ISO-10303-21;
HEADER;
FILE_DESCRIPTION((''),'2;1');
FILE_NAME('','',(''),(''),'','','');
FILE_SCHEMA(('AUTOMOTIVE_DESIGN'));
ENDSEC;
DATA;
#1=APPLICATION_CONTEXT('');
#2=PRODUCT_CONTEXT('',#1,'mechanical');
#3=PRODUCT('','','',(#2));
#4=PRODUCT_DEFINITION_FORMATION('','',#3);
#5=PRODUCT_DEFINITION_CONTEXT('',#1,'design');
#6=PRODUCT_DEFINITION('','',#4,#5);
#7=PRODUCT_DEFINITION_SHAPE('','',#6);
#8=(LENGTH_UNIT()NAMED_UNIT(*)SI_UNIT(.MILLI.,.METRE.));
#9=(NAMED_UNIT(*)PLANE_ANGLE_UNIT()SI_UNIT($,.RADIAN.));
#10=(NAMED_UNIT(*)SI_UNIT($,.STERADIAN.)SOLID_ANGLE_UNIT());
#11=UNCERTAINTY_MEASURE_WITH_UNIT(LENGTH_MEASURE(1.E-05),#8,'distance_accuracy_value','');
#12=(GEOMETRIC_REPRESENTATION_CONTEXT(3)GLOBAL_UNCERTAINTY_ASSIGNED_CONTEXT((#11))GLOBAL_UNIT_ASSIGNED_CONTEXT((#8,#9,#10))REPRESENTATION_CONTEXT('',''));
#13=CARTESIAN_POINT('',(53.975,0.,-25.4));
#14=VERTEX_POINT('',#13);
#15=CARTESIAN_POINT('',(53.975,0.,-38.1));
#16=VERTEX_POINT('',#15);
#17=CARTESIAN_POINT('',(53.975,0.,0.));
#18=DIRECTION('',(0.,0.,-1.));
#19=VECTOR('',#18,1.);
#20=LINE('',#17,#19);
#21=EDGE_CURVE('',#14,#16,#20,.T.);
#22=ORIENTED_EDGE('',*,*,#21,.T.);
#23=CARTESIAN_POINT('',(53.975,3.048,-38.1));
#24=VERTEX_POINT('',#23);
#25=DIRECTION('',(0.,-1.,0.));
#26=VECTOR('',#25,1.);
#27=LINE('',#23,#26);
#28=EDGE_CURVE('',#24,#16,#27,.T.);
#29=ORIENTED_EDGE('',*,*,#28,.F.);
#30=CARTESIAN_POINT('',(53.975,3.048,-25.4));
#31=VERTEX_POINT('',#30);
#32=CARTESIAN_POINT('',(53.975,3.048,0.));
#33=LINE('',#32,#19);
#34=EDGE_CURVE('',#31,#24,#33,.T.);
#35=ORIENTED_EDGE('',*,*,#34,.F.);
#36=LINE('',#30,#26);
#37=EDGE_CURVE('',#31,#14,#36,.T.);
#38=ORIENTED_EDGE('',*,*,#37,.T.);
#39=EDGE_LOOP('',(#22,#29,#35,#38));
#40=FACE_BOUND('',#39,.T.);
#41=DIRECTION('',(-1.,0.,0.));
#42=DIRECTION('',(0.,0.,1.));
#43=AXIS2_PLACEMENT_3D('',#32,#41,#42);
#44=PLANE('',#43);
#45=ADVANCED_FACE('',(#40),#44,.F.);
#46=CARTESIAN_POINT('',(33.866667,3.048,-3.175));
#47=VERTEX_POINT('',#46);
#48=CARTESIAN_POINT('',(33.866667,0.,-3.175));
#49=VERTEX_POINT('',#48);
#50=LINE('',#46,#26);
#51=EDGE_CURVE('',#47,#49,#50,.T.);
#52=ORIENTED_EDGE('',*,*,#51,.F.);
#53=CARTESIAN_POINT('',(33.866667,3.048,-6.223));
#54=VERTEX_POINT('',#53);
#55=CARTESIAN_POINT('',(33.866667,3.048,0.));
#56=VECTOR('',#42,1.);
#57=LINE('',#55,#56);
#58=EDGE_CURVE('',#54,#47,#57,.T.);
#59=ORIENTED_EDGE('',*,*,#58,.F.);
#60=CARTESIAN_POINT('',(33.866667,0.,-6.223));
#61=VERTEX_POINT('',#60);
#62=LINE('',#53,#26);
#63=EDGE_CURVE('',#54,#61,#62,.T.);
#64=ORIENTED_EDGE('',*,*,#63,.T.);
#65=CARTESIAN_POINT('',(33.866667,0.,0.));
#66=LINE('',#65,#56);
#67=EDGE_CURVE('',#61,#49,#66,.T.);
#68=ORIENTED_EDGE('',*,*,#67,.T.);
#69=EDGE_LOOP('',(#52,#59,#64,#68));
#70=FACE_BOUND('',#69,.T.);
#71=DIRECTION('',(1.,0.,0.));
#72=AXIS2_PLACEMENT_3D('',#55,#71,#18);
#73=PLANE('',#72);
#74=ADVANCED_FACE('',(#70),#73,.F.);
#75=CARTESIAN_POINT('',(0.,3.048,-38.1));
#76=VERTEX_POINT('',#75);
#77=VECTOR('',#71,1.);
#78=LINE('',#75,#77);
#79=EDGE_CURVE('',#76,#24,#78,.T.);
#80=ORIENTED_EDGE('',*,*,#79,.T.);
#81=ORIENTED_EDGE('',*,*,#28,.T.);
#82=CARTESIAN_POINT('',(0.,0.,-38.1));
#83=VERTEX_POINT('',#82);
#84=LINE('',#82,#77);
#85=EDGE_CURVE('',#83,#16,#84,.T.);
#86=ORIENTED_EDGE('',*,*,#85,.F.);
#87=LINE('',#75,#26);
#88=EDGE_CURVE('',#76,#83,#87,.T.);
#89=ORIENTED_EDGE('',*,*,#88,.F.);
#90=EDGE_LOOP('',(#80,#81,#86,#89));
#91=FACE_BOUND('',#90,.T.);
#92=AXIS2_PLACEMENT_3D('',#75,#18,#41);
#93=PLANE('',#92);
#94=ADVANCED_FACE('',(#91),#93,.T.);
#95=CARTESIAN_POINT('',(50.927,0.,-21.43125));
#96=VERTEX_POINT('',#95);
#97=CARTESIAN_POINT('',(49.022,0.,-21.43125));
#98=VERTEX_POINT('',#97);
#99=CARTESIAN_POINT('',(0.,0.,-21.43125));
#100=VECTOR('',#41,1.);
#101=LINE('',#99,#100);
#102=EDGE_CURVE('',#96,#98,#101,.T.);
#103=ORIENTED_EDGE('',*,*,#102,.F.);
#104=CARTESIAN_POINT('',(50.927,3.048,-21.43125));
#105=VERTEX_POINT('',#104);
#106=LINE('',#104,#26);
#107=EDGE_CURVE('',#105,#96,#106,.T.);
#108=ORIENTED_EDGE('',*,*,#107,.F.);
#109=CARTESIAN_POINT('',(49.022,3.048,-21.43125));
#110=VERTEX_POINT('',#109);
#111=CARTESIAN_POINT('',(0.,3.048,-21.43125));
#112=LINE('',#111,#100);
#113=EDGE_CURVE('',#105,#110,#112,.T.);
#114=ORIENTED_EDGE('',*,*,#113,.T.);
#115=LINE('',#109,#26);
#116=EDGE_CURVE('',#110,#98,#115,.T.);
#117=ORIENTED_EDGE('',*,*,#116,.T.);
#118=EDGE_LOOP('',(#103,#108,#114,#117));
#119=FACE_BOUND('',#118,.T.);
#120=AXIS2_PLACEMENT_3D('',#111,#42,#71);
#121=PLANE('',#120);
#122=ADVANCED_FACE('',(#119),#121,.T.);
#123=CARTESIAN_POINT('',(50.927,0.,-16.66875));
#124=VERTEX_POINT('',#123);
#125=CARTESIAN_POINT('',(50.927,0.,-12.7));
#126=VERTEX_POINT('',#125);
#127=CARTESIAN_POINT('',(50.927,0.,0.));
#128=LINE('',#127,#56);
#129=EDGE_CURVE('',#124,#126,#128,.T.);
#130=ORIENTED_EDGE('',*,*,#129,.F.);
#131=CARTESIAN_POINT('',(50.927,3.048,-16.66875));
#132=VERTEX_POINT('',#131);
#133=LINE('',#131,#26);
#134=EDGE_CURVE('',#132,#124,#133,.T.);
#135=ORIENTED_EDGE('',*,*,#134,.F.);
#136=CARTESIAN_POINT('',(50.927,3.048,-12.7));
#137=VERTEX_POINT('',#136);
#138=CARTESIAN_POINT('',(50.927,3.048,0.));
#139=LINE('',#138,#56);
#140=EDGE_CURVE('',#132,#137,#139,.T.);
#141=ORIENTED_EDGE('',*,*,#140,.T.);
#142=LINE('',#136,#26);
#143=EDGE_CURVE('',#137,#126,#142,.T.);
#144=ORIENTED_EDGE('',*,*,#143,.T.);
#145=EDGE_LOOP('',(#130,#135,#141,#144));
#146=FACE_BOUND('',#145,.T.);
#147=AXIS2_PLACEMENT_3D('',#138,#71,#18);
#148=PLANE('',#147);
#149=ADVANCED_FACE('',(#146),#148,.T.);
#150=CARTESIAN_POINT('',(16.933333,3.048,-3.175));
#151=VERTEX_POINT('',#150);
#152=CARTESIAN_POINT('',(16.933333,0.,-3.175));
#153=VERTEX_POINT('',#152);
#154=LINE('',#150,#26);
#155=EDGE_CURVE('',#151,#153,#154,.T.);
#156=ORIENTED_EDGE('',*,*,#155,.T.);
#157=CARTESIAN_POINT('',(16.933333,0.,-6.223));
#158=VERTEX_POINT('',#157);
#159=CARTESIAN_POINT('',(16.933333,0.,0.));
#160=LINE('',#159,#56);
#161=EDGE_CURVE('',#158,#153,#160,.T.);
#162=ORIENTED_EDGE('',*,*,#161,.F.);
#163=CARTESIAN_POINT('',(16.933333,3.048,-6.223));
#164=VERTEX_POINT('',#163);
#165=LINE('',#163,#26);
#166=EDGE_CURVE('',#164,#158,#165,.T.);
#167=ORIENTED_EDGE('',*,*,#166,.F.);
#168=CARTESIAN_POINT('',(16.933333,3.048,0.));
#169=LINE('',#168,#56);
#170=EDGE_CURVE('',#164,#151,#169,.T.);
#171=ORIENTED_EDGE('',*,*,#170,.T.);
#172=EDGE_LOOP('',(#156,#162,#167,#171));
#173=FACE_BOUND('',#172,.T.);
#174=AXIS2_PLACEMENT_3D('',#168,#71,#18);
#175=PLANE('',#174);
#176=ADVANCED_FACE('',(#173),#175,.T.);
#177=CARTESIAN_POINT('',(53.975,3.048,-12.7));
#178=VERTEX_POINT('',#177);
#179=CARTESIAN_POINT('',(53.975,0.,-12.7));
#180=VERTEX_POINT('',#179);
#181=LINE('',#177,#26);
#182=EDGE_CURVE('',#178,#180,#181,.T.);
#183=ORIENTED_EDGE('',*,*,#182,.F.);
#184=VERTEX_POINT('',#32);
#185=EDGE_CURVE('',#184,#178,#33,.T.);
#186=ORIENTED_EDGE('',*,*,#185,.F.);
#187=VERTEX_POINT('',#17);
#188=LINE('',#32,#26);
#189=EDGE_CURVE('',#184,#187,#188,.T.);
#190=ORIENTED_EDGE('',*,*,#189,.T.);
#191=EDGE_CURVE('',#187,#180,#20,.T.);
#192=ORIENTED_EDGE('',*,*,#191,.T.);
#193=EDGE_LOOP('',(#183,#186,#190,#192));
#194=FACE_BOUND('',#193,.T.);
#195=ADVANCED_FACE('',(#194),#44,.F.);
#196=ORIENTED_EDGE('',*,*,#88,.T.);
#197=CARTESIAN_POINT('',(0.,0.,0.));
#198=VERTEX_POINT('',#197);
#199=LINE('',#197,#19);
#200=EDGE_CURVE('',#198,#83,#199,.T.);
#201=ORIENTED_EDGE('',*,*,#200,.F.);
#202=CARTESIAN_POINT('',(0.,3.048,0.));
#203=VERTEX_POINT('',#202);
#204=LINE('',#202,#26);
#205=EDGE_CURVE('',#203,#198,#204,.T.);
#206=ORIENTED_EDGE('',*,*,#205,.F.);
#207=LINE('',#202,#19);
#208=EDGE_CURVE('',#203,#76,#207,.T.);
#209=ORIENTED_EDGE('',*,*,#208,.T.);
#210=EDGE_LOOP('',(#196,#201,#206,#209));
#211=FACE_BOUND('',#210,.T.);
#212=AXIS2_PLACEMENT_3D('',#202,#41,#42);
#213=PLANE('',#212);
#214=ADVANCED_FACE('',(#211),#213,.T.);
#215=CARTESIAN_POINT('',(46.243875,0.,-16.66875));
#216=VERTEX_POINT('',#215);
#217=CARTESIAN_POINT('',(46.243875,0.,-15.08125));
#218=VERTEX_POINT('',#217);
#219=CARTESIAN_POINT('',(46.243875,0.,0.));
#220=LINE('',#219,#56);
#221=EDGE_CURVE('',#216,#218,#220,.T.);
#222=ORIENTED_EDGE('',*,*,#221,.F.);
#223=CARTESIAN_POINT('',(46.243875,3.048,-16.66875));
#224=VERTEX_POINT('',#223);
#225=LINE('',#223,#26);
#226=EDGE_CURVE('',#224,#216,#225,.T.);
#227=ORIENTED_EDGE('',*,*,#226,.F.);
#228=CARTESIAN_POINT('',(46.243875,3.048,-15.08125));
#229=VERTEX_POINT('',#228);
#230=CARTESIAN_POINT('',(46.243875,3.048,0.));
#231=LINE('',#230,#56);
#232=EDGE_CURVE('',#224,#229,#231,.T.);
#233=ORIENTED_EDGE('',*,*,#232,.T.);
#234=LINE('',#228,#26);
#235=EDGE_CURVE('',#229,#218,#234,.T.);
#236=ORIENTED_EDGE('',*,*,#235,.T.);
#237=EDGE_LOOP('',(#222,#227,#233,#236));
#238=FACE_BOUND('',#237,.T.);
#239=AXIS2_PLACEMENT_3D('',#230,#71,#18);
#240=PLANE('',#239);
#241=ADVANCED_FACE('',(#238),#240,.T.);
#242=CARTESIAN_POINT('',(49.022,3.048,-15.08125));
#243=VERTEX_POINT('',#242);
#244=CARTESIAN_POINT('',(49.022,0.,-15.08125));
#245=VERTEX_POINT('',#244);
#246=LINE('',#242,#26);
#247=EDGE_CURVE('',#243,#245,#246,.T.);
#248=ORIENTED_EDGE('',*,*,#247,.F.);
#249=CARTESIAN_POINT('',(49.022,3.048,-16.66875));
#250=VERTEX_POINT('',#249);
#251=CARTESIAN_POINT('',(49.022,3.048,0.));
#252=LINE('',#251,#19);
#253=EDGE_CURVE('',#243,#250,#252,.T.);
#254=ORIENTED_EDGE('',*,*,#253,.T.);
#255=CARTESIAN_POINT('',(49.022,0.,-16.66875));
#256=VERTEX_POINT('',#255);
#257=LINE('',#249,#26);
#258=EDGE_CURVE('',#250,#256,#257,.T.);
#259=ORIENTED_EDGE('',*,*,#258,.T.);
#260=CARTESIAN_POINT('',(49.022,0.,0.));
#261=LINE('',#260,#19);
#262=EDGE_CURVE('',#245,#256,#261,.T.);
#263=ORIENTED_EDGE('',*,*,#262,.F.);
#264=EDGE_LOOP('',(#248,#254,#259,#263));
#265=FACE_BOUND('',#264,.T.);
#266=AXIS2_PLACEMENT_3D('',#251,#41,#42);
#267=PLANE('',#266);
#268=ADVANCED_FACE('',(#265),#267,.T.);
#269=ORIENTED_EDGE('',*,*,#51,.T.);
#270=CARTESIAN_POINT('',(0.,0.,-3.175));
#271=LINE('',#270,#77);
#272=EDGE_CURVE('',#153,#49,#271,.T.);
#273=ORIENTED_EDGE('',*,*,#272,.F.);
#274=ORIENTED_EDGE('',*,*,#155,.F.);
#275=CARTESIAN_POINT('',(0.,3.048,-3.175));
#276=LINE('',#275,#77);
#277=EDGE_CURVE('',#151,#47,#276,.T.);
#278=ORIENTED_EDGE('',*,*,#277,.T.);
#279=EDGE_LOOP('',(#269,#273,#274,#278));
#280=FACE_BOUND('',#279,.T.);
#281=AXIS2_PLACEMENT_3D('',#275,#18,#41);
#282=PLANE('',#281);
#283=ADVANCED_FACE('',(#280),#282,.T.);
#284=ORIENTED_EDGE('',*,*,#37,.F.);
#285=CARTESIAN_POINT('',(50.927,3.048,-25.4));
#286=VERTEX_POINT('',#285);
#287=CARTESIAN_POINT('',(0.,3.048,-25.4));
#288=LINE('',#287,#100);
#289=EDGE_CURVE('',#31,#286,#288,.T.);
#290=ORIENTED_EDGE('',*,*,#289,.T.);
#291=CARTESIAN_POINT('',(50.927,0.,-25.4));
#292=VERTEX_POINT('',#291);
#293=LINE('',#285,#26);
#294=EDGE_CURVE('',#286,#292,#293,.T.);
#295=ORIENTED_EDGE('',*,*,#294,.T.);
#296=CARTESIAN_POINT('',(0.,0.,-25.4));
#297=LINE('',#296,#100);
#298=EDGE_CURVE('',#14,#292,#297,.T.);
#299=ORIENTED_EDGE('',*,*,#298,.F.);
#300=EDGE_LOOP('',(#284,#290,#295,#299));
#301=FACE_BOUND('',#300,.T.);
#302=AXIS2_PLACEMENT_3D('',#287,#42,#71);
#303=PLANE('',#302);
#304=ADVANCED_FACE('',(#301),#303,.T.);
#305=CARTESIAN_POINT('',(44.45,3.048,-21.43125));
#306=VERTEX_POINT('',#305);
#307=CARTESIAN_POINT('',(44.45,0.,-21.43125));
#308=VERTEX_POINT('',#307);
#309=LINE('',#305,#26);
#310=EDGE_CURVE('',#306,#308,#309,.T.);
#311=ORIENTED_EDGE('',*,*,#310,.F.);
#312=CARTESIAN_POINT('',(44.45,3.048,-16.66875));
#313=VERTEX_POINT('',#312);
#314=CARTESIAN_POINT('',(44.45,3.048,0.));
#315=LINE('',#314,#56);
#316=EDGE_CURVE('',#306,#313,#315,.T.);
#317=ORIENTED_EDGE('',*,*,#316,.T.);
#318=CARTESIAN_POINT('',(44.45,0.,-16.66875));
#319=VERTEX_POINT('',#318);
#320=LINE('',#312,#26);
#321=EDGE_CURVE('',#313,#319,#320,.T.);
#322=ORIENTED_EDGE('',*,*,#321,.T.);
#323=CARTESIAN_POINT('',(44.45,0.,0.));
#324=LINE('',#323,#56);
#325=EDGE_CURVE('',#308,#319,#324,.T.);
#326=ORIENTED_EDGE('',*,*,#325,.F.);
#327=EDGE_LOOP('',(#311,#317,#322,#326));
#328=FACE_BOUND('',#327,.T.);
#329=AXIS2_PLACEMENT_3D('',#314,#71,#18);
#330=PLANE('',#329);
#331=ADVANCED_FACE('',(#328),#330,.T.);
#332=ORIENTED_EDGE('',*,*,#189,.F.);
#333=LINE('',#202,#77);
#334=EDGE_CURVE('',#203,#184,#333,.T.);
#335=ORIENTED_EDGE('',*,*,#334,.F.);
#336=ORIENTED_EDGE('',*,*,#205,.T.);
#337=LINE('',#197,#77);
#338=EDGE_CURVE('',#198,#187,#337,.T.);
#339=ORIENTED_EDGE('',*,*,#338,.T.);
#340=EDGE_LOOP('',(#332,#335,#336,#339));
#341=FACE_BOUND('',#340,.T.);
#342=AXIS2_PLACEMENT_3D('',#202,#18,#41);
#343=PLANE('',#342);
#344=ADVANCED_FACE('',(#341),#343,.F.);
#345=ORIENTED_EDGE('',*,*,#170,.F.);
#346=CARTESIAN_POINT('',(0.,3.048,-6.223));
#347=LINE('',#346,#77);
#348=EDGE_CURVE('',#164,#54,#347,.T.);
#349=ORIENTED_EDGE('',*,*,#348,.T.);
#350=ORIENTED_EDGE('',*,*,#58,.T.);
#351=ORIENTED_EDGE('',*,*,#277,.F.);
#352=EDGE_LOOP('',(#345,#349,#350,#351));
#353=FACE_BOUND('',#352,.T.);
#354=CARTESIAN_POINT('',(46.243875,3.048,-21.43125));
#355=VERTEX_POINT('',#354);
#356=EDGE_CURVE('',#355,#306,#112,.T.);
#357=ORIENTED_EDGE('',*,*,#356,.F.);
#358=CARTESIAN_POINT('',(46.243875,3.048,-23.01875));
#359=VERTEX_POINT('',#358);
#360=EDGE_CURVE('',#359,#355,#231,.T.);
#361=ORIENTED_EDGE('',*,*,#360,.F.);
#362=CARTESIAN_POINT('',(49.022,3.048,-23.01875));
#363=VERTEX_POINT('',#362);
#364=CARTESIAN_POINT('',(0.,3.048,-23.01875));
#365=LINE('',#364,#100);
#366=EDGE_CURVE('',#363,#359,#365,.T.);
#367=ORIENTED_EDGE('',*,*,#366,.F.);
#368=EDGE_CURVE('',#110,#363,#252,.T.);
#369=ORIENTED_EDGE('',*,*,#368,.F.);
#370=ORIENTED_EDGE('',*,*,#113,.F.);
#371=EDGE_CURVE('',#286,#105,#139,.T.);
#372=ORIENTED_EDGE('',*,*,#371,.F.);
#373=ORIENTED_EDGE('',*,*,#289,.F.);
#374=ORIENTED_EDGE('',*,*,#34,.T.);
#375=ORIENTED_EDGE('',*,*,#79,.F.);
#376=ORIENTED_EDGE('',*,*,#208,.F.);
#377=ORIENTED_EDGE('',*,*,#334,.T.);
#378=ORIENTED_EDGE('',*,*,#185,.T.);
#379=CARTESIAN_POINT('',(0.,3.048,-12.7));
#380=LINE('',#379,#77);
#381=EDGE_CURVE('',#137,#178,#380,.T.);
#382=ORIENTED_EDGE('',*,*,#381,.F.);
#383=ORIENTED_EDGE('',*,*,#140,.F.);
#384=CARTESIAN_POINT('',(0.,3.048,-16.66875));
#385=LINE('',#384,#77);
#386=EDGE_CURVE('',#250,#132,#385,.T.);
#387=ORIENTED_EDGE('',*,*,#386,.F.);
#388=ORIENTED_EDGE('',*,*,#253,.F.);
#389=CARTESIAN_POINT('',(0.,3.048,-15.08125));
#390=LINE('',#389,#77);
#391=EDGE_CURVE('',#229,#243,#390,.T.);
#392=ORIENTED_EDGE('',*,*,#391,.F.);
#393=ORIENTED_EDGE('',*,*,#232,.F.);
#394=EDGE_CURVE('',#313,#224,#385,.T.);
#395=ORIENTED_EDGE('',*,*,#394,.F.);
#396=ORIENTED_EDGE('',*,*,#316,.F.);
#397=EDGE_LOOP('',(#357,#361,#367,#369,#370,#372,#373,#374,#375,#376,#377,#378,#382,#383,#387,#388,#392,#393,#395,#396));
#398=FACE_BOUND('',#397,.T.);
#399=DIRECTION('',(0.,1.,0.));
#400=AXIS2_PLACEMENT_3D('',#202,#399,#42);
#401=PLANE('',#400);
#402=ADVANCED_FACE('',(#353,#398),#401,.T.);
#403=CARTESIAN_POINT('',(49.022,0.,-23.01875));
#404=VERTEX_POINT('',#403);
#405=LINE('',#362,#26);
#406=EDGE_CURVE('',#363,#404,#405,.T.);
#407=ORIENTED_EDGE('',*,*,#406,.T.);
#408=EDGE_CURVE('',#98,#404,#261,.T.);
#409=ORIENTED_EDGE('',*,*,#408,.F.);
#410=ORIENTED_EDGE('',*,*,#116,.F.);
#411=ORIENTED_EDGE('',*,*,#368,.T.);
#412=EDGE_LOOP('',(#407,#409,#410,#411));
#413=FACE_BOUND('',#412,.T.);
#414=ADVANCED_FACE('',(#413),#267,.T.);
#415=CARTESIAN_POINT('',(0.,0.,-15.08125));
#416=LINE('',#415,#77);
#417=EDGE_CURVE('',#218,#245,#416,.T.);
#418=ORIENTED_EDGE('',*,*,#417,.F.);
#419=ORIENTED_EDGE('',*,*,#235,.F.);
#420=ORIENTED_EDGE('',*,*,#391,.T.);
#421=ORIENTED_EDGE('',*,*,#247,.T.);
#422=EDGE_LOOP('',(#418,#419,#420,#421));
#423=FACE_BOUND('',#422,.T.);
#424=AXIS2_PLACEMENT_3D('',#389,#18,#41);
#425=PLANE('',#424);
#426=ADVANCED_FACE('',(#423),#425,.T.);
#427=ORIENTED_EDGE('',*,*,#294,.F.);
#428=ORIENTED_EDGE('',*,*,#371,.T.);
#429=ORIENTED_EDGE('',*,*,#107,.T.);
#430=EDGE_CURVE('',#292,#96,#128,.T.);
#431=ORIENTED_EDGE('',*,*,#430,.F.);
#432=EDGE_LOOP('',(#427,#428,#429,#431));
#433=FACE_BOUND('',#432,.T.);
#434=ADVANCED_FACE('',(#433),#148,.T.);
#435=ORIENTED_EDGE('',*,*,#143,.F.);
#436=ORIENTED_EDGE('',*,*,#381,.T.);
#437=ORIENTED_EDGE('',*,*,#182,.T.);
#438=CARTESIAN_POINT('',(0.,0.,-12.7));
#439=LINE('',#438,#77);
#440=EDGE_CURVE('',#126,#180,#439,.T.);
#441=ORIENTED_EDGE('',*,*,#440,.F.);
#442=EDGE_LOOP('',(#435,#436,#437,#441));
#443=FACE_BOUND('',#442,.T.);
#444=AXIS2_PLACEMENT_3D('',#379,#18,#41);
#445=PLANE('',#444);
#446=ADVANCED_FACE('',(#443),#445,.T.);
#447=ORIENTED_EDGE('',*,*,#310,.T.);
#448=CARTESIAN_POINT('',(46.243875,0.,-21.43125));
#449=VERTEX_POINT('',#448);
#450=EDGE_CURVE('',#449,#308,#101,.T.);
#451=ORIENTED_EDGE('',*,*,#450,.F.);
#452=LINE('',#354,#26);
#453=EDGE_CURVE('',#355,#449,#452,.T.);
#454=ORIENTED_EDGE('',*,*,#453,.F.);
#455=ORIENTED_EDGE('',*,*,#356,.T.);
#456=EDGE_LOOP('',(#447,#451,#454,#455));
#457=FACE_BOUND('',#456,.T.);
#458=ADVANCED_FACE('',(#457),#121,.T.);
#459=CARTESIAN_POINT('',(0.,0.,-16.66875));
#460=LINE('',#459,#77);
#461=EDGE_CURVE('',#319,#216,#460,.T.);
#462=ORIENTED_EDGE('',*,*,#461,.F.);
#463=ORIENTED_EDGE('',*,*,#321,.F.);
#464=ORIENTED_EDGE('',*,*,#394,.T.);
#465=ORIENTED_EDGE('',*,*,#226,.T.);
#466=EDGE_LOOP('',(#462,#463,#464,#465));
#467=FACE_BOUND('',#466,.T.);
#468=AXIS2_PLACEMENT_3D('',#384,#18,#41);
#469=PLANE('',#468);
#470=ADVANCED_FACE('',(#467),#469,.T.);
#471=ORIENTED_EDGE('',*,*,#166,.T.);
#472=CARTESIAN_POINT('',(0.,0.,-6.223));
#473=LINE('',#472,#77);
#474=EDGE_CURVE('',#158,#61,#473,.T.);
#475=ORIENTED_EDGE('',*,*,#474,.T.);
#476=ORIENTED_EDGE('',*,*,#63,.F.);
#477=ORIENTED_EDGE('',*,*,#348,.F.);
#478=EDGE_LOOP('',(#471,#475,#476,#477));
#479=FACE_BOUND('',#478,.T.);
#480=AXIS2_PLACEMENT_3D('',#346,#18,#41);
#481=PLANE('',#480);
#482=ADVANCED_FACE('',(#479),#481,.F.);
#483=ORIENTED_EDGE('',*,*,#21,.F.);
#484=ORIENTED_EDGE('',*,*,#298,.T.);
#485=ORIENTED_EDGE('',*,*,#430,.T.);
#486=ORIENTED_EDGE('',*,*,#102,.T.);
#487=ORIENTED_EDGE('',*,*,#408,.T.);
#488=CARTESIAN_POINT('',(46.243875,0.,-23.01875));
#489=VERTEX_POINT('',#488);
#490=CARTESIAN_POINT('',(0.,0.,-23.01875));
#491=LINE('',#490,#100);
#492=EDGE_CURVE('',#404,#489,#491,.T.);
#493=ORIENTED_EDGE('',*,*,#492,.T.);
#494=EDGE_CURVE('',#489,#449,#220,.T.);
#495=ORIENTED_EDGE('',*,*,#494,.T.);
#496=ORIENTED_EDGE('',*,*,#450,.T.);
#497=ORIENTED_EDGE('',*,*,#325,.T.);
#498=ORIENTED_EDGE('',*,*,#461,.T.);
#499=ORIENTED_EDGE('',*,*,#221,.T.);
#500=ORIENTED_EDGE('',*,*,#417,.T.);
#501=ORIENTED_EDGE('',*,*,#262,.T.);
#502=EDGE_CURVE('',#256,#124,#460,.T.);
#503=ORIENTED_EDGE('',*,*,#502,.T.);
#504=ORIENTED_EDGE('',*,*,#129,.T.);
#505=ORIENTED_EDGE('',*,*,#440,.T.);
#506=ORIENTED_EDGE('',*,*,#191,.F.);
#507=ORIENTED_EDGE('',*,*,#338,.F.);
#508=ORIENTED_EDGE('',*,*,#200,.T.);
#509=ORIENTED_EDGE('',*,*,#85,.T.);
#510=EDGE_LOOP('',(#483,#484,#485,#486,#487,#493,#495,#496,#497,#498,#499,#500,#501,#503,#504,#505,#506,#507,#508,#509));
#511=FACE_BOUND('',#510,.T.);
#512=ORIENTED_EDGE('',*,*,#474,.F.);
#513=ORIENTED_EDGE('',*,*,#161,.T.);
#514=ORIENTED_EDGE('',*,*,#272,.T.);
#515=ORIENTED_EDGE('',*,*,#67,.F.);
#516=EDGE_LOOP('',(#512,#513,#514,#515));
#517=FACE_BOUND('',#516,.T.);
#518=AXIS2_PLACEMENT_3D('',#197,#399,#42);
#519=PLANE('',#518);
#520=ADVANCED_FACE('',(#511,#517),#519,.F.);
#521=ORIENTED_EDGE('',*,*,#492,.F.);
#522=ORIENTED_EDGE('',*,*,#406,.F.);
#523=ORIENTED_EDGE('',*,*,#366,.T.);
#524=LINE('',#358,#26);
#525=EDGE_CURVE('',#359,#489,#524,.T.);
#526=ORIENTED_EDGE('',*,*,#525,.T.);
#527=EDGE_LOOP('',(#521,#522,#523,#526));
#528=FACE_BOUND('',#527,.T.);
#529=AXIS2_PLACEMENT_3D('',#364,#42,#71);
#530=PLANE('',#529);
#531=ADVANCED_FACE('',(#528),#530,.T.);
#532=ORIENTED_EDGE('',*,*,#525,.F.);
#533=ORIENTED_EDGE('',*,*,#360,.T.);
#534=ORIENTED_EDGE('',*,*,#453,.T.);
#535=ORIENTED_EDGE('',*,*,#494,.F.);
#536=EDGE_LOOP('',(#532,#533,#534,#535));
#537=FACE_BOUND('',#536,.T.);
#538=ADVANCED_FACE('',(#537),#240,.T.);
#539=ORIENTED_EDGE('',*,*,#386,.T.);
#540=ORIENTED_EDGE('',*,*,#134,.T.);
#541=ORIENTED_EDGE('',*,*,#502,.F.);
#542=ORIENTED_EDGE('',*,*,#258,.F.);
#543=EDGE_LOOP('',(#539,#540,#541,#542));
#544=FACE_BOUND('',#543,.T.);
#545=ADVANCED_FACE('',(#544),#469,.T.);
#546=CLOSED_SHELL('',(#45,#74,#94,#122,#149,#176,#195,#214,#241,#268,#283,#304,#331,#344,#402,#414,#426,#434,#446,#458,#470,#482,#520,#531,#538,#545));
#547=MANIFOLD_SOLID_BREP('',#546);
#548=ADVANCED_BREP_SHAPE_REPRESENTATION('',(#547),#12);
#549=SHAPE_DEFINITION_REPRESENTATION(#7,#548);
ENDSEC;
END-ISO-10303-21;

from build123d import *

# Parameters (mm, degrees)
SKETCH2_W           = 16.933333418
SKETCH2_H           = 3.048
BOSS_EXTRUDE1_DEPTH = 3.048


with BuildPart() as part:
    # Sketch2 → Boss-Extrude1 (new body)
    with BuildSketch(Plane(origin=(0, 0, 0), x_dir=(1, 0, 0), z_dir=(0, 1, 0))):
        Polygon((53.975, 25.4), (50.927, 25.4), (50.927, 21.43125), (49.022, 21.43125), (49.022, 23.01875), (46.243875, 23.01875), (46.243875, 21.43125), (44.45, 21.43125), (44.45, 16.66875), (46.243875, 16.66875), (46.243875, 15.08125), (49.022, 15.08125), (49.022, 16.66875), (50.927, 16.66875), (50.927, 12.7), (53.975, 12.7), (53.975, 0), (0, 0), (0, 38.1), (53.975, 38.1), align=None)
        with Locations((25.400000042, 4.699)):
            Rectangle(SKETCH2_W, SKETCH2_H, mode=Mode.SUBTRACT)
    extrude(amount=BOSS_EXTRUDE1_DEPTH)


solid = part.part
